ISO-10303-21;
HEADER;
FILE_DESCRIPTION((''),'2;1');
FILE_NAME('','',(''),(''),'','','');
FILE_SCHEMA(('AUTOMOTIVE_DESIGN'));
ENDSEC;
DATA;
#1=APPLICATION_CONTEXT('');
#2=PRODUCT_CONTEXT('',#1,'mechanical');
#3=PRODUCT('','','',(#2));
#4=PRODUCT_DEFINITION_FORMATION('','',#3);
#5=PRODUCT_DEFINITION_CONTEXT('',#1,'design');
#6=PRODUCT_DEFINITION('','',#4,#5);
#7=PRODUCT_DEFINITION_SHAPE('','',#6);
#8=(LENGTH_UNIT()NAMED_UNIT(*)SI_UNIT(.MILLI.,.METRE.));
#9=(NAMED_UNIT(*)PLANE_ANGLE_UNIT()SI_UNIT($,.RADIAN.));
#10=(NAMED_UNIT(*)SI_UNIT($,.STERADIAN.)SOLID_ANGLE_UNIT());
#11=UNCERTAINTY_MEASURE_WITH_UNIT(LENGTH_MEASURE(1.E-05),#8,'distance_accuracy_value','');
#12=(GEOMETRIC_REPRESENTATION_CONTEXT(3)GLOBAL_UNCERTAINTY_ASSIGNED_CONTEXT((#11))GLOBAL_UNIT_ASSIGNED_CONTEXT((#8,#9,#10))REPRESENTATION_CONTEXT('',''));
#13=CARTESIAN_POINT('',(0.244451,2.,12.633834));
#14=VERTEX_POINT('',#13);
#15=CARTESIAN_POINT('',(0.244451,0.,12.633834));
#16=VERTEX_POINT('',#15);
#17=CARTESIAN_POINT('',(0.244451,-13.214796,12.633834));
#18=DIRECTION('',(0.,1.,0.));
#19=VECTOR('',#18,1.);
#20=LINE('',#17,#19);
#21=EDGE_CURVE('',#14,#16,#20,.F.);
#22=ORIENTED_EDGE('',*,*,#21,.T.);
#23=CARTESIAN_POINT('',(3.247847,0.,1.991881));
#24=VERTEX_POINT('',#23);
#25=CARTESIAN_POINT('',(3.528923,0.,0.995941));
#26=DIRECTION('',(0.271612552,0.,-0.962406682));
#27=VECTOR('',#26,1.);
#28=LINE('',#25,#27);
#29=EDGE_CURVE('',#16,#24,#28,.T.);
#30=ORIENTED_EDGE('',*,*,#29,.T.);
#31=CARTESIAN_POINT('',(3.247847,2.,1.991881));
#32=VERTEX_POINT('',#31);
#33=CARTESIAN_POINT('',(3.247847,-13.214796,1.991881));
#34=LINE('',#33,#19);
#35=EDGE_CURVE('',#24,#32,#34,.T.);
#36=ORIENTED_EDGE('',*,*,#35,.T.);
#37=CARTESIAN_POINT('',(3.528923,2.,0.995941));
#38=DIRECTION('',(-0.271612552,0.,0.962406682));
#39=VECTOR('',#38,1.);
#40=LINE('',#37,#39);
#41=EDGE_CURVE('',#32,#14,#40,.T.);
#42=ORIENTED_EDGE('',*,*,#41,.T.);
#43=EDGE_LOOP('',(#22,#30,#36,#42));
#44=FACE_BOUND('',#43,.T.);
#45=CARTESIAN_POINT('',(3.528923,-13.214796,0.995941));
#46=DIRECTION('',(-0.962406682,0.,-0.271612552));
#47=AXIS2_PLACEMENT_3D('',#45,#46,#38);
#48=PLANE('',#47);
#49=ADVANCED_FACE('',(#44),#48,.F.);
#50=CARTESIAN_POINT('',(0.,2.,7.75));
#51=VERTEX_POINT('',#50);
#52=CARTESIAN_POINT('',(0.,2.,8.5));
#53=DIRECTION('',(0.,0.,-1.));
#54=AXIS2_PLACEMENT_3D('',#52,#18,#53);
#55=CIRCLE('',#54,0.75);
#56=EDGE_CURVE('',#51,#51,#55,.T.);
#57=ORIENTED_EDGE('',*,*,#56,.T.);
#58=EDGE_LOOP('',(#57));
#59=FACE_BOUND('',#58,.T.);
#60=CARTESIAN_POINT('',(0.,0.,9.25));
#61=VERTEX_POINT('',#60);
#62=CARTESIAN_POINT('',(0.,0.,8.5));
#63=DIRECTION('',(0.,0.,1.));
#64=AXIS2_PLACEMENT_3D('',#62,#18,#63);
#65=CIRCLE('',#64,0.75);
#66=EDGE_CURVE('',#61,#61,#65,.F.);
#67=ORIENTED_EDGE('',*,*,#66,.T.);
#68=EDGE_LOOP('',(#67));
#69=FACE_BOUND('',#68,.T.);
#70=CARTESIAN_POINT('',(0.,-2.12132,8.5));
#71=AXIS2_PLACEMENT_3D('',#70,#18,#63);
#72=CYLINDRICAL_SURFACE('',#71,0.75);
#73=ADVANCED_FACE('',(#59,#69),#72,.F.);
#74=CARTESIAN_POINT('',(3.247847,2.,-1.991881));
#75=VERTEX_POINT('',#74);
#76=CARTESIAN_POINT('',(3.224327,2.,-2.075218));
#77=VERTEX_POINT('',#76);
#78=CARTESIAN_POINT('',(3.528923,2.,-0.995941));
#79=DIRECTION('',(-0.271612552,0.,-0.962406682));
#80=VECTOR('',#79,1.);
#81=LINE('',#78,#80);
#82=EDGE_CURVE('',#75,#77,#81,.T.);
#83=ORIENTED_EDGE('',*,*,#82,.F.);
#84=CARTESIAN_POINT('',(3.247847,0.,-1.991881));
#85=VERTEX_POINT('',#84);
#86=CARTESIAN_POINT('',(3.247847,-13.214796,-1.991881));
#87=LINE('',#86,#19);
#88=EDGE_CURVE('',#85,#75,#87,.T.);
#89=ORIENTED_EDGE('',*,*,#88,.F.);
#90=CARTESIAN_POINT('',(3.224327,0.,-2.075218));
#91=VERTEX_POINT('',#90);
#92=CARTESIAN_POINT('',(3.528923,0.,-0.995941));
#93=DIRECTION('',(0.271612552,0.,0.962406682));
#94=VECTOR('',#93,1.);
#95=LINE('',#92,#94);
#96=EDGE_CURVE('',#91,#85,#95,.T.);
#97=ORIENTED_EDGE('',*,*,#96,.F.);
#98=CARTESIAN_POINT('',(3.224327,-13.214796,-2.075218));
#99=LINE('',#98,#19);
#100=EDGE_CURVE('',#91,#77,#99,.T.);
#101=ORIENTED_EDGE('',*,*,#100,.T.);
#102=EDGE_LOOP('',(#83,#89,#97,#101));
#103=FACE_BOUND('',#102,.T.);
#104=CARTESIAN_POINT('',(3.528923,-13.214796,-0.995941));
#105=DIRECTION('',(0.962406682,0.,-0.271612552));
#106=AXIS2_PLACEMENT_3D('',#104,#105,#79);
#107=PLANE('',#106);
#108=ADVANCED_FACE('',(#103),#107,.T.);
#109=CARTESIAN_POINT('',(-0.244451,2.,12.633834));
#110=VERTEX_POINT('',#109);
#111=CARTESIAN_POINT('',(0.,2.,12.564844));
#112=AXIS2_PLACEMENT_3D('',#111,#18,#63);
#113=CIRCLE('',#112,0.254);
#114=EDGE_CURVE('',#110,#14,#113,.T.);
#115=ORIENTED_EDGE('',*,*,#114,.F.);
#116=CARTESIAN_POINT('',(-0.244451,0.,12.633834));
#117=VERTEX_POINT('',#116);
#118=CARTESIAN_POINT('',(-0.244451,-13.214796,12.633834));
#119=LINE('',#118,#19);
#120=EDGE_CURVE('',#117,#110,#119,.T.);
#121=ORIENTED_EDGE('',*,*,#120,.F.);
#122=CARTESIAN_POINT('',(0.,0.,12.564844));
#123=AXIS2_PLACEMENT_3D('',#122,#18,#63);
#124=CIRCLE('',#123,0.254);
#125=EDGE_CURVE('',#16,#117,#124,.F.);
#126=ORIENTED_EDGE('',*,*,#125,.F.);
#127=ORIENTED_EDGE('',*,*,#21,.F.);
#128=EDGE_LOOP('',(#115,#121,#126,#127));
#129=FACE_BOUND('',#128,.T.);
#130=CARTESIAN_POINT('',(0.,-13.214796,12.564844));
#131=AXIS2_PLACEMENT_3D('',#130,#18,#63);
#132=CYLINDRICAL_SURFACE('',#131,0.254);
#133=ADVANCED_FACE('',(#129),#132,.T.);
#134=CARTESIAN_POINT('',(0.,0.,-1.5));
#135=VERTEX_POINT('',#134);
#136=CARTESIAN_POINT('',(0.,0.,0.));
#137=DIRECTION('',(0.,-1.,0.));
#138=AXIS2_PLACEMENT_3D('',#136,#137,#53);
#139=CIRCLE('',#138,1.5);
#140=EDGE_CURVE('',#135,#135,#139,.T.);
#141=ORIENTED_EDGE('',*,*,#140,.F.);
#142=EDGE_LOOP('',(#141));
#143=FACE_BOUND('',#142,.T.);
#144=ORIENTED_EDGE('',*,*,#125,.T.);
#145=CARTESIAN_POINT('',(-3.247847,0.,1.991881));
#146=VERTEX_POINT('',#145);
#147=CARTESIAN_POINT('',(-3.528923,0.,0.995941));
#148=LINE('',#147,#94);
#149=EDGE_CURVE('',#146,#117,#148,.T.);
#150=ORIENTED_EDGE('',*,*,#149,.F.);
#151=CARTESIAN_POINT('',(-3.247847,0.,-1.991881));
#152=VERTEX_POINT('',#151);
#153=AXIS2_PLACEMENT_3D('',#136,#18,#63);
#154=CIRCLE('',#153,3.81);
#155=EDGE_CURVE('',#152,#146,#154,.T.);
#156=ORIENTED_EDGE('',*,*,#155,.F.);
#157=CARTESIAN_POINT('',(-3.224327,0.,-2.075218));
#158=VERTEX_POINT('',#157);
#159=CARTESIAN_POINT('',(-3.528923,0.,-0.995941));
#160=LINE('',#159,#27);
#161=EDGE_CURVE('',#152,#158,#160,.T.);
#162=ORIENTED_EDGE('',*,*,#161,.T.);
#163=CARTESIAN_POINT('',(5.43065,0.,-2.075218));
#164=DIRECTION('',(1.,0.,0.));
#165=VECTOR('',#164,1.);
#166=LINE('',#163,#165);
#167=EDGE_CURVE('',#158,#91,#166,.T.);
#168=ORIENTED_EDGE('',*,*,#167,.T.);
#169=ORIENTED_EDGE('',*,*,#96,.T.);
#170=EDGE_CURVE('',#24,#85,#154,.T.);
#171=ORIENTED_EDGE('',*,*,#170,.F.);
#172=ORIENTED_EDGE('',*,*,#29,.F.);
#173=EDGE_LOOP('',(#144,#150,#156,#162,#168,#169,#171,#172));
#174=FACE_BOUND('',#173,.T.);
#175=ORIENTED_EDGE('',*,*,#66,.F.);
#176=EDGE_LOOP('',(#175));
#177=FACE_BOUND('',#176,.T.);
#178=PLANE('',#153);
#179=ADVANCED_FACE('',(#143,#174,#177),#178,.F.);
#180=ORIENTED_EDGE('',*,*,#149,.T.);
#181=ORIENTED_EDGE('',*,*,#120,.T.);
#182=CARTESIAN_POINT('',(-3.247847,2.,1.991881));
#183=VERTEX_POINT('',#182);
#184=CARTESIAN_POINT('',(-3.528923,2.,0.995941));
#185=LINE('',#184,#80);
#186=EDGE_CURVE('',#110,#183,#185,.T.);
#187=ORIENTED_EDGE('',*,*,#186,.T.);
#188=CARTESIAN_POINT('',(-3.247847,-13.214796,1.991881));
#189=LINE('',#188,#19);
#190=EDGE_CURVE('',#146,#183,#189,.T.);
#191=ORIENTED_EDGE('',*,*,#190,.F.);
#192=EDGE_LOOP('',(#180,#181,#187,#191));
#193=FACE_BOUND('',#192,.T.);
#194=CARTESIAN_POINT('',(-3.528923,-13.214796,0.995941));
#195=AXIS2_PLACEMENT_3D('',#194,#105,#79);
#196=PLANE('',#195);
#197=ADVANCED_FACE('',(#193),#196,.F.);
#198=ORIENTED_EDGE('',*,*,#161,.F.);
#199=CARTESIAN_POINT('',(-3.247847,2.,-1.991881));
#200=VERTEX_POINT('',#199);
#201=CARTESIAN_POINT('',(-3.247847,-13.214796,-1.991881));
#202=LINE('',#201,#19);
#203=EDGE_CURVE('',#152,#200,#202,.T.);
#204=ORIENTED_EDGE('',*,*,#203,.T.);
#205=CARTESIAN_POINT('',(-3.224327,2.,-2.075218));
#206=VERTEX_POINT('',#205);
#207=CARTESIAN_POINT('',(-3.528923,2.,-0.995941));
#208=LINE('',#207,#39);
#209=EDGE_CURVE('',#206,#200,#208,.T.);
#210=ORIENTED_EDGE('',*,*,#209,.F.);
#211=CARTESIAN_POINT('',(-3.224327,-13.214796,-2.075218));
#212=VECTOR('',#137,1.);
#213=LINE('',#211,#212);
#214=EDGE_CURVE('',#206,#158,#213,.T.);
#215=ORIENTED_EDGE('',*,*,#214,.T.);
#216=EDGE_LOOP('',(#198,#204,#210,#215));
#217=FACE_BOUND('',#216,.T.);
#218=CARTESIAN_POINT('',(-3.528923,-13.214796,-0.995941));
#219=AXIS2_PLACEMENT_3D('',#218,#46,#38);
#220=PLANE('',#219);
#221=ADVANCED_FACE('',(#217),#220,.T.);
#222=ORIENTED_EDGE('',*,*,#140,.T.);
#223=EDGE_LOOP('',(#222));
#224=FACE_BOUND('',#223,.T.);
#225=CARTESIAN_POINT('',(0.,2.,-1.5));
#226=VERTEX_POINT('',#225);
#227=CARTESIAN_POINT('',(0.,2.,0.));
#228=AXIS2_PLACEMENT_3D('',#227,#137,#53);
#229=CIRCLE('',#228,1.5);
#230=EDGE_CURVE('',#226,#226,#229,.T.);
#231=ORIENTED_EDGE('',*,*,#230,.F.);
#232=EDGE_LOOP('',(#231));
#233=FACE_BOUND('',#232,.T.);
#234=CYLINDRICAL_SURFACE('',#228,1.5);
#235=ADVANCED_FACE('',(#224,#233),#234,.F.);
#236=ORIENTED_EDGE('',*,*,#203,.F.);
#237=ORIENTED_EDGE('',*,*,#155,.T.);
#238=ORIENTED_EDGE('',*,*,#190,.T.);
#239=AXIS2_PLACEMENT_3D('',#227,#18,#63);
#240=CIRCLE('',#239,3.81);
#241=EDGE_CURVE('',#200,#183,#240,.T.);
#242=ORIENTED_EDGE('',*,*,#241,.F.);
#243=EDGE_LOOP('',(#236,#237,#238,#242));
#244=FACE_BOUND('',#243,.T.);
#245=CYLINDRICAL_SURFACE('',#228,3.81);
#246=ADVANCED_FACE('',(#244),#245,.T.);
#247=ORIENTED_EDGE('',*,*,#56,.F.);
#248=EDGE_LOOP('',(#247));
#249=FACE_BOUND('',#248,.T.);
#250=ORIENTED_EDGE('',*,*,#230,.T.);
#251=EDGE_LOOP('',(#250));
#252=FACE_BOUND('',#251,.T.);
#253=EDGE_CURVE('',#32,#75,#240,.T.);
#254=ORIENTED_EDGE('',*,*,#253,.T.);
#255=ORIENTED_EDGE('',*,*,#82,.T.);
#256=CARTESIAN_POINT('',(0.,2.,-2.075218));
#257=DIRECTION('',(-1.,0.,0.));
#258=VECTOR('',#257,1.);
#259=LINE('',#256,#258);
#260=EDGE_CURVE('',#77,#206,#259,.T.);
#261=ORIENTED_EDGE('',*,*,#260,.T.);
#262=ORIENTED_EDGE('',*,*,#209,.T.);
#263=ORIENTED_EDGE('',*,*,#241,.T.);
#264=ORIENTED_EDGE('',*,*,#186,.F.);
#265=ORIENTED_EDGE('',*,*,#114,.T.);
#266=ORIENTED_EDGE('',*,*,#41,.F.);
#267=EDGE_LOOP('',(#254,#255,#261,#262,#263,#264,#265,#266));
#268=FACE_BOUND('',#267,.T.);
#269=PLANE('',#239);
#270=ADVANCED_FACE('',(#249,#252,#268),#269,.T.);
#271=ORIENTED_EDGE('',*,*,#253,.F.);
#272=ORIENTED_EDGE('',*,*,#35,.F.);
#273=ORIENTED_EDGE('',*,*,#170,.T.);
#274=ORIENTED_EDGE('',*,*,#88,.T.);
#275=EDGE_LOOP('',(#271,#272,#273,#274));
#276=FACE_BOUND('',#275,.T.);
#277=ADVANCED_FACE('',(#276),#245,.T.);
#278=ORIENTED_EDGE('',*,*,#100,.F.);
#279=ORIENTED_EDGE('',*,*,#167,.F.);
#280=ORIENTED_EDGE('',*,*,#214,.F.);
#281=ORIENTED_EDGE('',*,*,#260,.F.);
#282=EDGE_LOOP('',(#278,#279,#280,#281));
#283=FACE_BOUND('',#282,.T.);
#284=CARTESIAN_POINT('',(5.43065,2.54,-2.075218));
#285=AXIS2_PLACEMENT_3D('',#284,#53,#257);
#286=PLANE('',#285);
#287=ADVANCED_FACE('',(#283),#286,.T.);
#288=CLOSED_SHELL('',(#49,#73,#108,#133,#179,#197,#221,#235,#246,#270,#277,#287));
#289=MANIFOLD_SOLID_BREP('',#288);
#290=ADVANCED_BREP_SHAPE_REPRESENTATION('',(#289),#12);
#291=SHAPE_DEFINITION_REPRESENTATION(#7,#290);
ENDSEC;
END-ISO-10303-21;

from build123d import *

# Parameters (mm, degrees)
SKETCH1_R           = 3.81
BOSS_EXTRUDE1_DEPTH = 2
BOSS_EXTRUDE2_DEPTH = 2
FILLET1_R           = 0.254
SKETCH3_R           = 0.75
CUT_EXTRUDE1_DEPTH  = 2
SKETCH4_R           = 1.5
CUT_EXTRUDE2_DEPTH  = 3
CUT_EXTRUDE3_DEPTH  = 2.54


with BuildPart() as part:
    # Sketch1 → Boss-Extrude1 (new body)
    with BuildSketch(Plane(origin=(0, 0, 0), x_dir=(1, 0, 0), z_dir=(0, 1, 0))):
        Circle(SKETCH1_R)
    extrude(amount=BOSS_EXTRUDE1_DEPTH)

    # Sketch2 → Boss-Extrude2 (add)
    with BuildSketch(Plane(origin=(0, 2, 0), x_dir=(1, 0, 0), z_dir=(0, 1, 0))):
        with BuildLine():
            Line((0, -13.5), (3.247846855, -1.991881223))
            ThreePointArc((3.247846855, -1.991881223), (0, -3.81), (-3.247846855, -1.991881223))
            Line((-3.247846855, -1.991881223), (0, -13.5))
        make_face()
        with BuildLine():
            ThreePointArc((-3.247846855, 1.991881223), (0, 3.81), (3.247846855, 1.991881223))
            Line((3.247846855, 1.991881223), (0, 13.5))
            Line((0, 13.5), (-3.247846855, 1.991881223))
        make_face()
    extrude(amount=-BOSS_EXTRUDE2_DEPTH)

    # Fillet1
    fillet1_edges = [part.edges().sort_by_distance(p)[0] for p in [
        (0, 1, -13.5),
        (0, 1, 13.5),
    ]]
    fillet(fillet1_edges, radius=FILLET1_R)

    # Sketch3 → Cut-Extrude1 (cut)
    with BuildSketch(Plane(origin=(0, 2, 0), x_dir=(1, 0, 0), z_dir=(0, 1, 0))):
        with Locations((0, 8.5)):
            Circle(SKETCH3_R)
        with Locations((0, -8.5)):
            Circle(SKETCH3_R)
    extrude(amount=-CUT_EXTRUDE1_DEPTH, mode=Mode.SUBTRACT)

    # Sketch4 → Cut-Extrude2 (cut, through all)
    with BuildSketch(Plane.XZ):
        Circle(SKETCH4_R)
    extrude(amount=-CUT_EXTRUDE2_DEPTH, mode=Mode.SUBTRACT)

    # Sketch5 → Cut-Extrude3 (cut)
    with BuildSketch(Plane(origin=(0, 0, 0), x_dir=(1, 0, 0), z_dir=(0, 1, 0))):
        Polygon((5.430650193, 2.075218265), (-5.917689048, 2.075218265), (-5.917689048, 14.831745587), (0, 14.831745587), (5.430650193, 14.831745587), align=None)
    extrude(amount=CUT_EXTRUDE3_DEPTH, mode=Mode.SUBTRACT)


solid = part.part
